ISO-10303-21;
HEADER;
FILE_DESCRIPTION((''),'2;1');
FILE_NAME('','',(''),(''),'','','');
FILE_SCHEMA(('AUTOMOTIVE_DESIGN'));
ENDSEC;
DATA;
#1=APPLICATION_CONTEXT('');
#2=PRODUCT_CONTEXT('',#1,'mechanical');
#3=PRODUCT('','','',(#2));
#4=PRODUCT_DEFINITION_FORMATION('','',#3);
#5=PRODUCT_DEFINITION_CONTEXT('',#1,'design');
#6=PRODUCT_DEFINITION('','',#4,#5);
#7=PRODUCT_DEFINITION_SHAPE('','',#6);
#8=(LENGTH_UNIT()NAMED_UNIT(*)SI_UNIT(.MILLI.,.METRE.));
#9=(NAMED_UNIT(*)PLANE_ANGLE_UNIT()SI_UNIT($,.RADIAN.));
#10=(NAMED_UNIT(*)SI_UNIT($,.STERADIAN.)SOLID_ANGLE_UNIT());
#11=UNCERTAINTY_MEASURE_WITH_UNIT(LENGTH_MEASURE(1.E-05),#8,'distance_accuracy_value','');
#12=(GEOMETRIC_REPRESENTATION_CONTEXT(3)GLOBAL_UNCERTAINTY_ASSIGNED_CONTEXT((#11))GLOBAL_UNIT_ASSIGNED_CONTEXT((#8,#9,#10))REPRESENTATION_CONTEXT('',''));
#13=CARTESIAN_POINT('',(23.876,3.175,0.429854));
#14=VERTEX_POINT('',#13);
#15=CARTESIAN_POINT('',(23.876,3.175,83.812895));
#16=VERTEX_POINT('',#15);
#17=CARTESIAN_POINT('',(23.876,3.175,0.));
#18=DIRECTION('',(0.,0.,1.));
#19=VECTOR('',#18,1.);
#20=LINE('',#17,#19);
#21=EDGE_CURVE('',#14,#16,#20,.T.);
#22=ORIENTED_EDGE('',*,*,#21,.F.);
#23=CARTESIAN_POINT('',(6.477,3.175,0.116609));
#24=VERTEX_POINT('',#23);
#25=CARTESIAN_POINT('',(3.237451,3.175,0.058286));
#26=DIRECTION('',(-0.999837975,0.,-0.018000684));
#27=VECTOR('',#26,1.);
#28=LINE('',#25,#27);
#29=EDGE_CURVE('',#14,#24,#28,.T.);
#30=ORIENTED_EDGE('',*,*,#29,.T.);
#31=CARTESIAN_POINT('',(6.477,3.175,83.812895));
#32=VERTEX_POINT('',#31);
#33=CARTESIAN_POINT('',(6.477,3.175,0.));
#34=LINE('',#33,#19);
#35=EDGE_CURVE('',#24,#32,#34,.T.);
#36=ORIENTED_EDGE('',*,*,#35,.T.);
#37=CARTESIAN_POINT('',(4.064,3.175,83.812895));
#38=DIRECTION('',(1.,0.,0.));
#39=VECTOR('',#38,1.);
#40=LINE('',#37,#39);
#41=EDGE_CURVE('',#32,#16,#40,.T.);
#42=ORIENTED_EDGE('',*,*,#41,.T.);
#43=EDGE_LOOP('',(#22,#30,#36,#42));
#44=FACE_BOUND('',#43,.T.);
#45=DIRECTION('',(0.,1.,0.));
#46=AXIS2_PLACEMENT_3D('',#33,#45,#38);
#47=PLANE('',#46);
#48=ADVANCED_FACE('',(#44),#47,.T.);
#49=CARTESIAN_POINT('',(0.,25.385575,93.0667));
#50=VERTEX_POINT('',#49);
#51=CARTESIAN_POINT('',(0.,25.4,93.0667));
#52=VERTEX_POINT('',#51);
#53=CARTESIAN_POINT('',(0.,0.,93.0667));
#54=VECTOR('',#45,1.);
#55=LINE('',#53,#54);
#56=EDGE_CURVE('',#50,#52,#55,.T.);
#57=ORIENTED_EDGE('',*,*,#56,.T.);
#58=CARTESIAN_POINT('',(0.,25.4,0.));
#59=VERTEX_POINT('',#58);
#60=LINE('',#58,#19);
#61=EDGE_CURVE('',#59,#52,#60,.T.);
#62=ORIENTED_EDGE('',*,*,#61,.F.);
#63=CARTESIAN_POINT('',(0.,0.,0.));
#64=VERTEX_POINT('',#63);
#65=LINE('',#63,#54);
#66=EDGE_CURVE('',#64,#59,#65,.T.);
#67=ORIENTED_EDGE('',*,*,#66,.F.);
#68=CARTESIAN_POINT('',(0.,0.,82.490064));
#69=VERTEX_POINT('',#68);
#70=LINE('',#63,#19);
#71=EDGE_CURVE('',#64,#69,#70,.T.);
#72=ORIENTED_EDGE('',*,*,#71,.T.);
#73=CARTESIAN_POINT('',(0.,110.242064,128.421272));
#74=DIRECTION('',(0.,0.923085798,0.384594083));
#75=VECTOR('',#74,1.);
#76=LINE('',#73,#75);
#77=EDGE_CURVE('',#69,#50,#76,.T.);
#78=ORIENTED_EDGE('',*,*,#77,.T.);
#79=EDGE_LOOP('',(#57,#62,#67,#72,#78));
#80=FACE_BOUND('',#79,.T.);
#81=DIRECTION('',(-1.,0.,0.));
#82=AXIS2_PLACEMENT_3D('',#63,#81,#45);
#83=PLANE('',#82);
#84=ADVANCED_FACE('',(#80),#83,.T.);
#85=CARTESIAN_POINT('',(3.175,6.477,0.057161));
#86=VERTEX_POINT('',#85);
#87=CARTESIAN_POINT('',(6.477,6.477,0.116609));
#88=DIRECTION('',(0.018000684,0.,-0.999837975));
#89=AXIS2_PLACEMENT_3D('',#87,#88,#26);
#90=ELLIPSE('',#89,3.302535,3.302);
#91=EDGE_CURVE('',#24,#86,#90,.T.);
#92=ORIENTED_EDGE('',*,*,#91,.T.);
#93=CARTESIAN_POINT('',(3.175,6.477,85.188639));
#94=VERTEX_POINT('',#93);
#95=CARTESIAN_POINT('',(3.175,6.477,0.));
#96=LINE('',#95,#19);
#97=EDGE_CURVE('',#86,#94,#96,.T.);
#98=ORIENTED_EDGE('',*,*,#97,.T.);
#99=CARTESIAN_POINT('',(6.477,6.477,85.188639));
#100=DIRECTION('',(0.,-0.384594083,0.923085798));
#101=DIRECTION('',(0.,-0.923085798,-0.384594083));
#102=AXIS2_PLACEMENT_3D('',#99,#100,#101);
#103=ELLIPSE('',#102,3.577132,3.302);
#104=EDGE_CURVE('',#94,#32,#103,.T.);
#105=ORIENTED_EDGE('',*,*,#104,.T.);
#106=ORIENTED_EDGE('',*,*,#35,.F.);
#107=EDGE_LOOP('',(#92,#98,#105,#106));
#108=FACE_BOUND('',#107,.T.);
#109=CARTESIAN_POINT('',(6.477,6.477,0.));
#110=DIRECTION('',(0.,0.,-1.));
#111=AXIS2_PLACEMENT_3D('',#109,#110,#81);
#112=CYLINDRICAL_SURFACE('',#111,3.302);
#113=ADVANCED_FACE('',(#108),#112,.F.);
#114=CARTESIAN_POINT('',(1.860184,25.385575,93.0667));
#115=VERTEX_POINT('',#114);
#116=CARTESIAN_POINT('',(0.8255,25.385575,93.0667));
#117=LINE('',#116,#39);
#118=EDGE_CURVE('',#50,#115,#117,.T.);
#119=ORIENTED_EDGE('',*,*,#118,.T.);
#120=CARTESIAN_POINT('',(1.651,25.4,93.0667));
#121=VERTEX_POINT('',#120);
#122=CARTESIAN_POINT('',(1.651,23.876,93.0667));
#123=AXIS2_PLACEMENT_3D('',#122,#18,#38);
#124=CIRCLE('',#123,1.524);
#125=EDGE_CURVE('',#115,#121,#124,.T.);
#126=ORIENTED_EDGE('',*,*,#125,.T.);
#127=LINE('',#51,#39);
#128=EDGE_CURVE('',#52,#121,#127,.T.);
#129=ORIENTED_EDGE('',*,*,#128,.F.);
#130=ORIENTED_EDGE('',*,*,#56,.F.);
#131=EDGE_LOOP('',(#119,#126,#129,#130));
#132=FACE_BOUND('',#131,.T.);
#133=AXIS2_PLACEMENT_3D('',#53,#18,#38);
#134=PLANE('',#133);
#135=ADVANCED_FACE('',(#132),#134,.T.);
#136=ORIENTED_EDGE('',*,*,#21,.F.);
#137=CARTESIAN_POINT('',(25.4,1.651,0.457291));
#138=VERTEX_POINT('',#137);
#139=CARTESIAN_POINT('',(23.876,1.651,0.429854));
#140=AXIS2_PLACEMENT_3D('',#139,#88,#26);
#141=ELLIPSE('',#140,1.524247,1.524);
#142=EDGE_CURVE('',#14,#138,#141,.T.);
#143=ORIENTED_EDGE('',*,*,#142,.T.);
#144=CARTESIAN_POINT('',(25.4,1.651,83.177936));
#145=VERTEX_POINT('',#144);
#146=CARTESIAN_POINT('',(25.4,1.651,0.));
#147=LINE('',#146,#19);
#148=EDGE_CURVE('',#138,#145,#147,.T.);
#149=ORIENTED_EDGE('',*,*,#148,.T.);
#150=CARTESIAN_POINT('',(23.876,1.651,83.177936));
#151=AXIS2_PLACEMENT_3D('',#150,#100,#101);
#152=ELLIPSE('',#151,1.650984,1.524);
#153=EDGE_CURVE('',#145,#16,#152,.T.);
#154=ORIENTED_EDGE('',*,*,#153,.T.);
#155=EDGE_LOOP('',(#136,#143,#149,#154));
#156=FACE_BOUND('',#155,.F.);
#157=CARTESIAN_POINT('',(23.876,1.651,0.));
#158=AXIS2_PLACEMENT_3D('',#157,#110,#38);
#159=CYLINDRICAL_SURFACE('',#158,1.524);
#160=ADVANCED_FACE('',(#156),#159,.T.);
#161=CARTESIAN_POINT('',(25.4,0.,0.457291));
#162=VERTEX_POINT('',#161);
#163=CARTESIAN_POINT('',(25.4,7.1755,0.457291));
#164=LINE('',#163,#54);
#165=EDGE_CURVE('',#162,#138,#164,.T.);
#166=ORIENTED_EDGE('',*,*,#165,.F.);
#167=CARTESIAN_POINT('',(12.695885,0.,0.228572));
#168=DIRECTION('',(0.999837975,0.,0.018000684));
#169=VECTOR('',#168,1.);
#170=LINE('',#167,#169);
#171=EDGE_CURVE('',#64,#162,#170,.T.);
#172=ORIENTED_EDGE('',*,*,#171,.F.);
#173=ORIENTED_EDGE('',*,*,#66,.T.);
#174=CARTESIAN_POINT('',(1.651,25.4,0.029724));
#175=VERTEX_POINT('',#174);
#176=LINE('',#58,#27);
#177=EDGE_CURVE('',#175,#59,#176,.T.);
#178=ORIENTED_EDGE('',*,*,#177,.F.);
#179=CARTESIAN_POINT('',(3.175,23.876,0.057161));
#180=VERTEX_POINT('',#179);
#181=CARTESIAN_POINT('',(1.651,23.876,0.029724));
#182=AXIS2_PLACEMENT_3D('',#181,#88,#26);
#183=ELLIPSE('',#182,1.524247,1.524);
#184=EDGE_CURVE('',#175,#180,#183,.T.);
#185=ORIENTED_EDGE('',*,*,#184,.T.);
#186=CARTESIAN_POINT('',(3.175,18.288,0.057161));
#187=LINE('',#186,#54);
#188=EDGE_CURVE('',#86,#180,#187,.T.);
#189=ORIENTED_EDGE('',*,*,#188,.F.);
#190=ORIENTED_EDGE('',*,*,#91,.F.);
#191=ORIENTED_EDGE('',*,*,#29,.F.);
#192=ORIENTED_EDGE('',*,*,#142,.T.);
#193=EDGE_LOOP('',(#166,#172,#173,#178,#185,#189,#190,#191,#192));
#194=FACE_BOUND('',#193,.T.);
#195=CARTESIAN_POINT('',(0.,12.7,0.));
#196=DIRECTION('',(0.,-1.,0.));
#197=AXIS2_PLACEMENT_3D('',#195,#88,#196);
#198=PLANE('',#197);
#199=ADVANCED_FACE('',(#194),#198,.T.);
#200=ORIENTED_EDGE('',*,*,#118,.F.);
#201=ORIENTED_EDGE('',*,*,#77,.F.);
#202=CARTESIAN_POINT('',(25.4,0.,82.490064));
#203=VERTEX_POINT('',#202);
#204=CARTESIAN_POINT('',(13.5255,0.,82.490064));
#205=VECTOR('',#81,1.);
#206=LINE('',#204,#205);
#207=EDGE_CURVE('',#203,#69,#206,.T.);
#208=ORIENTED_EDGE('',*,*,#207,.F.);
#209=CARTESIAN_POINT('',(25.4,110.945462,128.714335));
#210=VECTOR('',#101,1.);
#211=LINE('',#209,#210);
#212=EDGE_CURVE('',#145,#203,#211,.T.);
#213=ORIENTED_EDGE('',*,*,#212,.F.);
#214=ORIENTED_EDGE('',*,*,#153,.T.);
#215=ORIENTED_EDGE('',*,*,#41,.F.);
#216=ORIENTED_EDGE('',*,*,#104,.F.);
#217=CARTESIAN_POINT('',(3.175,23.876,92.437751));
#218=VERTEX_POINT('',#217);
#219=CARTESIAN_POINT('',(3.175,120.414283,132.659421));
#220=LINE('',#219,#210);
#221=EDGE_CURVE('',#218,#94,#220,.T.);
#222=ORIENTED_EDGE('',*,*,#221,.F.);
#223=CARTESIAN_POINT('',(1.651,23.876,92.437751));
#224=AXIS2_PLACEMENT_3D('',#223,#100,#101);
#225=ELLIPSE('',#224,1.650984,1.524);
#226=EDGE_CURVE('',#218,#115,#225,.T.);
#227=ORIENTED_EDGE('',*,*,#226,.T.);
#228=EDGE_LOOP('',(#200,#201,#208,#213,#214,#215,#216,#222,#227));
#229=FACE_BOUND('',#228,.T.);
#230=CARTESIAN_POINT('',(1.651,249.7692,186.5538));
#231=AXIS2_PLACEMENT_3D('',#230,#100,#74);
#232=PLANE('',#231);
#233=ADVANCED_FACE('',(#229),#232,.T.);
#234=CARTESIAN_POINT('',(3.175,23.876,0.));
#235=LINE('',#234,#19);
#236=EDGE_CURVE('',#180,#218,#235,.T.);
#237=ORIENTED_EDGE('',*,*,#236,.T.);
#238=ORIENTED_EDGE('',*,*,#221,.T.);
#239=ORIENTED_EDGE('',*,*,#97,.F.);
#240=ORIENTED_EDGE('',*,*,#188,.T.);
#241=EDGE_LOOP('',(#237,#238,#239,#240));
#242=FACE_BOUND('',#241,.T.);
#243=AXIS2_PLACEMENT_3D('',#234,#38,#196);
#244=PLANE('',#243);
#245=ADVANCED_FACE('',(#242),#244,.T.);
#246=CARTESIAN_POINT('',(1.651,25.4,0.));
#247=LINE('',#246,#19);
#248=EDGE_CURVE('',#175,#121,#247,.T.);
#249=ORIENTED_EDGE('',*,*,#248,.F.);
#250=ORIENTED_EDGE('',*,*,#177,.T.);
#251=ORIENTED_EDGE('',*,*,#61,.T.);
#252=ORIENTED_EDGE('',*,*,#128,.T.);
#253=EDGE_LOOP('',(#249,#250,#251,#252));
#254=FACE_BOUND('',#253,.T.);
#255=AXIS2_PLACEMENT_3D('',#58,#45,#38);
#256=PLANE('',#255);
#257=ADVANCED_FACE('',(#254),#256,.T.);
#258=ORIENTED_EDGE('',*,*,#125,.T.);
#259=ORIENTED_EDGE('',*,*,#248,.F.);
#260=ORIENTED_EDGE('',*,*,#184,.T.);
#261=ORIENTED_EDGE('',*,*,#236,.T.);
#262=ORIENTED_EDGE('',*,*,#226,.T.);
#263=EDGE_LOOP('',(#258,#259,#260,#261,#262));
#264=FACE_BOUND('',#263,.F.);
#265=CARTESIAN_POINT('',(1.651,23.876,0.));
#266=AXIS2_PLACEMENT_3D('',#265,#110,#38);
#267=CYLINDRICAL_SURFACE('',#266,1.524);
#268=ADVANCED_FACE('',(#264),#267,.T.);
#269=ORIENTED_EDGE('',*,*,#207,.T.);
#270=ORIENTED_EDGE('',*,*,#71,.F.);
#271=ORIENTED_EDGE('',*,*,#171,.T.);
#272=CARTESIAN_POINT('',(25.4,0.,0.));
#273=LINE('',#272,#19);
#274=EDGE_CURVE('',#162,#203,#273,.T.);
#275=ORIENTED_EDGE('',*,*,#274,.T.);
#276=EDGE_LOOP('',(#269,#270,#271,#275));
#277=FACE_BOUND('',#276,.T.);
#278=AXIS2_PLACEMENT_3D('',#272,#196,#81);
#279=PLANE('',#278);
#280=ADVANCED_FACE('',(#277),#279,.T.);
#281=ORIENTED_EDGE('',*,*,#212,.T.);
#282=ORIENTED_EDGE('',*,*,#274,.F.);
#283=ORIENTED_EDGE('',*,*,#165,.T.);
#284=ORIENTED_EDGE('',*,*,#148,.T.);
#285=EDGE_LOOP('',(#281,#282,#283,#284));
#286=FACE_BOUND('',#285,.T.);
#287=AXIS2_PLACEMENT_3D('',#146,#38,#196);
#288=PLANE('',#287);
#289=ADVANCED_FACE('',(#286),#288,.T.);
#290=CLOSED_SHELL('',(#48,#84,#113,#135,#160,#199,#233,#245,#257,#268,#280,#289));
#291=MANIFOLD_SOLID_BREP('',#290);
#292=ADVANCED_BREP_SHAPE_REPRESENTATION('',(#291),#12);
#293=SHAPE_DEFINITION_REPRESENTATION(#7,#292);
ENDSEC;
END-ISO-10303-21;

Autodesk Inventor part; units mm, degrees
ref_plane "Start Plane" through (0, 0, 0) normal (0, 0, 1) x (1, 0, 0)
ref_plane "End Plane" through (0, 0, 93.0667) normal (0, 0, 1) x (1, 0, 0)
sketch "Sketch" plane through (0, 0, 0) normal (0, 0, 1) x (1, 0, 0)
  line L0 (25.4, 0) -> (0, 0)
  line L1 (0, 0) -> (0, 25.4)
  line L2 (0, 25.4) -> (1.651, 25.4)
  line L3 (3.175, 23.876) -> (3.175, 6.477)
  line L4 (6.477, 3.175) -> (23.876, 3.175)
  line L5 (25.4, 1.651) -> (25.4, 0)
  line L6 (0, -11.0414) -> (0, 31.5385) construction
  line L7 (-11.0414, 0) -> (31.5385, 0) construction
  arc A0 (3.175, 6.477) -> (6.477, 3.175) centre (6.477, 6.477) ccw
  arc A1 (3.175, 23.876) -> (1.651, 25.4) centre (1.651, 23.876) ccw
  arc A2 (25.4, 1.651) -> (23.876, 3.175) centre (23.876, 1.651) ccw
  line L8 (0, 40.0545) -> (0, -19.5574) construction
  line L9 (-19.5574, 0) -> (40.0545, 0) construction
  point P0 (3.175, 25.4)
  point P1 (3.175, 3.175)
  point P2 (25.4, 3.175)
  dimension "d0" = 25.4
  dimension "d1" = 25.4
  dimension "d2" = 3.175
  dimension "d3" = 3.175
  dimension "d10" = 0
  dimension "d11" = 0
  dimension "d14" = 3.302
  dimension "d15" = 1.524
extrude "Body" add sketch "Sketch" along normal up to surface (93.0667 mm away) from surface at 0
sketch "Sketch3" plane through (0, 0, 0) normal (0, 0, 1) x (1, 0, 0)
  line L0 (0, 0) -> (10, 0)
ref_plane "Work Plane3" through (0, 0, 0) normal (0, -1, 0) x (1, 0, 0)
ref_plane "Work Plane4" through (0, 12.7, 0) normal (0.018, 0, -0.9998) x (-0.9998, 0, -0.018)
split "Split1" plane through (0, 12.7, 0) removes the side toward (0.018, 0, -0.9998)
ref_plane "Work Plane5" through (1.651, 249.7692, 186.5538) normal (0, -0.3846, 0.9231) x (1, 0, 0)
split "Split2" plane through (1.651, 249.7692, 186.5538) removes the side toward (0, -0.3846, 0.9231)
sketch "Sketch4" plane through (0, 0, 0) normal (0, -1, 0) x (1, 0, 0)
  line L0 (-2, 0) -> (12, 0) projected
  line L1 (-2, 93.0667) -> (12, 93.0667) projected
  dimension "d17" = 93.0667
equation "\"d0\" = G_H"
equation "\"d1\" = G_H"
equation "\"d2\" = G_T"
equation "\"d3\" = G_T"
equation "\"d14\" = G_IR"
equation "\"d15\" = G_ER"
equation "\"d4\" = G_L"
equation "\"G_H\" = 25.4"
equation "\"G_T\" = 3.175"
equation "\"G_ER\" = 1.524"
equation "\"G_IR\" = 3.302"
equation "\"G_L\" = d17"
equation "\"ex\" = 0"
equation "\"G_OFFSET_START\" = 0"
equation "\"G_OFFSET_END\" = -16.93333"
equation "\"d13\" = G_OFFSET_END + B_L"
equation "\"B_L\" = 110"
properties part number "AISC - L 1 x 1 x 1/8 - 3.664" material "Steel, Mild"
